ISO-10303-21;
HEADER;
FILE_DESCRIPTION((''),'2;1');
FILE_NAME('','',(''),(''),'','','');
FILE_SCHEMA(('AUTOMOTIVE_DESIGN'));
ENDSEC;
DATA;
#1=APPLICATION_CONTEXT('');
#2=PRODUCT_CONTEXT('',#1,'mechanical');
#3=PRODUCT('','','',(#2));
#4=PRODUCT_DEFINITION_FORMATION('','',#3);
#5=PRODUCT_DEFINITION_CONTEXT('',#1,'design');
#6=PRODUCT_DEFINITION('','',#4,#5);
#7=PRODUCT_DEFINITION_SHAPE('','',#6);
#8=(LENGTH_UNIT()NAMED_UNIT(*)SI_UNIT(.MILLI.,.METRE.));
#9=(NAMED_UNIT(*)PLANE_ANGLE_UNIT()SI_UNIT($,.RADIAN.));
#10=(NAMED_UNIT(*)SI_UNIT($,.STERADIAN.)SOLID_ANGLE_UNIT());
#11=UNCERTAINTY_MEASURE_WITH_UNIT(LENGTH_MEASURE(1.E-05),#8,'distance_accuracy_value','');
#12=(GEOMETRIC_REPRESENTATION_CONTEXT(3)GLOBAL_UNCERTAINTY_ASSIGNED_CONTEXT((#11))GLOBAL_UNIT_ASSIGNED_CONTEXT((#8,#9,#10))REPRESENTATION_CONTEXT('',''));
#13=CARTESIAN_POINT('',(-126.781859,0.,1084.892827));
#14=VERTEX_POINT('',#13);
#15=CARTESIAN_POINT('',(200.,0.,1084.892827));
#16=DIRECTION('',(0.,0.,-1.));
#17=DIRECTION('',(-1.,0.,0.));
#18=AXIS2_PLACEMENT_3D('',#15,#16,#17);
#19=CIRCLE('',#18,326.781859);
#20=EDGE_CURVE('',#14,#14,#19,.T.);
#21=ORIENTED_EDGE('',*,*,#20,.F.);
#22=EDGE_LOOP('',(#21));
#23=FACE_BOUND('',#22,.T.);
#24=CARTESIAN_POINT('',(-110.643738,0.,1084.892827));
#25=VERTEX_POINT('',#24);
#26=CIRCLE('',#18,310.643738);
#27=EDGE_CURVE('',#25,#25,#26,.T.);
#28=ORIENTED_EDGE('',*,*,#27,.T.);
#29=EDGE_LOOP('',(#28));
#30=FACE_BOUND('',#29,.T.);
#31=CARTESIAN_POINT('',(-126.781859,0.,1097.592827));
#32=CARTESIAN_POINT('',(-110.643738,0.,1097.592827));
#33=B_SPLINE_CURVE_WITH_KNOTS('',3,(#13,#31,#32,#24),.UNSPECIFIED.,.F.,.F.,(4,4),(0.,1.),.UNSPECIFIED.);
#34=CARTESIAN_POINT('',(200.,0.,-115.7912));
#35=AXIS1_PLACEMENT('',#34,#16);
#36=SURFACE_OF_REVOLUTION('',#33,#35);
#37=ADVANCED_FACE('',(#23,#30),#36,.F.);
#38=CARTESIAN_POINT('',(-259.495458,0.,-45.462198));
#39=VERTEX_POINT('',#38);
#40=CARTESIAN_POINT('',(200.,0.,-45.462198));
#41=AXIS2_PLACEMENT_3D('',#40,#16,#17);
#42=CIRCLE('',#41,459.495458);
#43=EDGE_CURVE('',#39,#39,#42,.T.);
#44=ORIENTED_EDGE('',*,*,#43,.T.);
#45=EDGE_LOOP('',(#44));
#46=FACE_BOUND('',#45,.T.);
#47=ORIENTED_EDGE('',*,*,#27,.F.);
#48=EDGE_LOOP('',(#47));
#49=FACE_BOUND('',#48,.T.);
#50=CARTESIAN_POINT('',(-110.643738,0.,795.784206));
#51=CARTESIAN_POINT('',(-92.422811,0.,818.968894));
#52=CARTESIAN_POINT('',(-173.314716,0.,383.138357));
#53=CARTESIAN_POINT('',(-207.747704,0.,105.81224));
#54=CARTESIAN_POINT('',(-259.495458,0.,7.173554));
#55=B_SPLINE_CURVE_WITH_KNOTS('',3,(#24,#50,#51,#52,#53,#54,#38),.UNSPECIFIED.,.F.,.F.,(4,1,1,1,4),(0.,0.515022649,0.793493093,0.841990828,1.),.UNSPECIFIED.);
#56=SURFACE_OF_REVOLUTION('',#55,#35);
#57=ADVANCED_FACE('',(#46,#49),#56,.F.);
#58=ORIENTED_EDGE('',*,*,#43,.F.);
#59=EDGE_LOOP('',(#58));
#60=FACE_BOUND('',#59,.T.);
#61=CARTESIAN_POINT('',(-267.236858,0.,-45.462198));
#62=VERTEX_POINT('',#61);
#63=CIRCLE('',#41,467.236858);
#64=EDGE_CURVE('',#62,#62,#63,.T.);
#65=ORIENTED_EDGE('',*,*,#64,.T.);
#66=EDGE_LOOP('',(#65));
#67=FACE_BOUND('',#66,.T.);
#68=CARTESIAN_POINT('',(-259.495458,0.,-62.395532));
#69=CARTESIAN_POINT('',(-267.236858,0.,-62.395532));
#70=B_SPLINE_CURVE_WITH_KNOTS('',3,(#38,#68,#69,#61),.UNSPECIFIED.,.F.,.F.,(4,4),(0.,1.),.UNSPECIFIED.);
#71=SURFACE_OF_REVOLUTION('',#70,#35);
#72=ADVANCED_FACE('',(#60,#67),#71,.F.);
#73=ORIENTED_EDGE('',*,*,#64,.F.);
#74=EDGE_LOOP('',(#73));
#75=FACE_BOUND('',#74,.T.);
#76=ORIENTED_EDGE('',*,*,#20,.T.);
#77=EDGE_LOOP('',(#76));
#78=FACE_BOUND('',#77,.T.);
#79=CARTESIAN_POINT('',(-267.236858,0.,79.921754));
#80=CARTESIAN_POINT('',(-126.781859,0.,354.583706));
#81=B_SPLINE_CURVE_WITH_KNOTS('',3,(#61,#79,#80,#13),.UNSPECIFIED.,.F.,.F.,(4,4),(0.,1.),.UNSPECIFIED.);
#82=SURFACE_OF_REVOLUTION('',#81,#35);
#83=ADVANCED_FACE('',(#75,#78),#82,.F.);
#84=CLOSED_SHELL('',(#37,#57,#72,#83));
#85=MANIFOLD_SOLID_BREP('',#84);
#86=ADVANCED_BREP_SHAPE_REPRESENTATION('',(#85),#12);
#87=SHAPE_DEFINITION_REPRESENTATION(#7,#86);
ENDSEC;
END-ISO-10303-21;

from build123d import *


with BuildPart() as part:
    # Sketch21 → 旋转1 (revolve)
    with BuildSketch(Plane(origin=(0, 0, 0), x_dir=(1, 0, 0), z_dir=(0, 1, 0))):
        with BuildLine():
            Line((-110.643738414, -1084.892826606), (-126.781859006, -1084.892826606))
            add(Edge.make_bspline(
                [(-267.236857749, 45.462198325), (-267.236857749, -79.921754051), (-126.781859006, -354.583706221), (-126.781859006, -1084.892826606)],
                knots=[0, 0, 0, 0, 1, 1, 1, 1], degree=3))
            Line((-267.236857749, 45.462198325), (-259.495458194, 45.462198325))
            add(Edge.make_bspline(
                [(-259.495458194, 45.462198325), (-259.495458194, -7.173554197), (-207.747704143, -105.812239727), (-173.314715973, -383.138357007), (-92.422811238, -818.96889363), (-110.643738414, -795.784205966), (-110.643738414, -1084.892826606)],
                knots=[0, 0, 0, 0, 0.158009172, 0.206506907, 0.484977351, 1, 1, 1, 1], degree=3))
        make_face()
    revolve(axis=Axis((200, 0, -115.791199572), (0, 0, 1)))

    # Sketch22 → 旋转2 (revolve)
    with BuildSketch(Plane(origin=(0, 0, 0), x_dir=(1, 0, 0), z_dir=(0, 1, 0))):
        with BuildLine():
            Line((-267.236857749, 45.462198325), (-259.495458194, 45.462198325))
            add(Edge.make_bspline(
                [(-267.236857749, 45.462198325), (-267.236857749, 62.395531659), (-259.495458194, 62.395531659), (-259.495458194, 45.462198325)],
                knots=[0, 0, 0, 0, 1, 1, 1, 1], degree=3))
        make_face()
    revolve(axis=Axis((200, 0, -115.791199572), (0, 0, 1)))

    # Sketch23 → 旋转3 (revolve)
    with BuildSketch(Plane(origin=(0, 0, 0), x_dir=(1, 0, 0), z_dir=(0, 1, 0))):
        with BuildLine():
            Line((-126.781859006, -1084.892826606), (-110.643738414, -1084.892826606))
            add(Edge.make_bspline(
                [(-126.781859006, -1084.892826606), (-126.781859006, -1097.592826606), (-110.643738414, -1097.592826606), (-110.643738414, -1084.892826606)],
                knots=[0, 0, 0, 0, 1, 1, 1, 1], degree=3))
        make_face()
    revolve(axis=Axis((200, 0, -115.791199572), (0, 0, 1)))


solid = part.part
